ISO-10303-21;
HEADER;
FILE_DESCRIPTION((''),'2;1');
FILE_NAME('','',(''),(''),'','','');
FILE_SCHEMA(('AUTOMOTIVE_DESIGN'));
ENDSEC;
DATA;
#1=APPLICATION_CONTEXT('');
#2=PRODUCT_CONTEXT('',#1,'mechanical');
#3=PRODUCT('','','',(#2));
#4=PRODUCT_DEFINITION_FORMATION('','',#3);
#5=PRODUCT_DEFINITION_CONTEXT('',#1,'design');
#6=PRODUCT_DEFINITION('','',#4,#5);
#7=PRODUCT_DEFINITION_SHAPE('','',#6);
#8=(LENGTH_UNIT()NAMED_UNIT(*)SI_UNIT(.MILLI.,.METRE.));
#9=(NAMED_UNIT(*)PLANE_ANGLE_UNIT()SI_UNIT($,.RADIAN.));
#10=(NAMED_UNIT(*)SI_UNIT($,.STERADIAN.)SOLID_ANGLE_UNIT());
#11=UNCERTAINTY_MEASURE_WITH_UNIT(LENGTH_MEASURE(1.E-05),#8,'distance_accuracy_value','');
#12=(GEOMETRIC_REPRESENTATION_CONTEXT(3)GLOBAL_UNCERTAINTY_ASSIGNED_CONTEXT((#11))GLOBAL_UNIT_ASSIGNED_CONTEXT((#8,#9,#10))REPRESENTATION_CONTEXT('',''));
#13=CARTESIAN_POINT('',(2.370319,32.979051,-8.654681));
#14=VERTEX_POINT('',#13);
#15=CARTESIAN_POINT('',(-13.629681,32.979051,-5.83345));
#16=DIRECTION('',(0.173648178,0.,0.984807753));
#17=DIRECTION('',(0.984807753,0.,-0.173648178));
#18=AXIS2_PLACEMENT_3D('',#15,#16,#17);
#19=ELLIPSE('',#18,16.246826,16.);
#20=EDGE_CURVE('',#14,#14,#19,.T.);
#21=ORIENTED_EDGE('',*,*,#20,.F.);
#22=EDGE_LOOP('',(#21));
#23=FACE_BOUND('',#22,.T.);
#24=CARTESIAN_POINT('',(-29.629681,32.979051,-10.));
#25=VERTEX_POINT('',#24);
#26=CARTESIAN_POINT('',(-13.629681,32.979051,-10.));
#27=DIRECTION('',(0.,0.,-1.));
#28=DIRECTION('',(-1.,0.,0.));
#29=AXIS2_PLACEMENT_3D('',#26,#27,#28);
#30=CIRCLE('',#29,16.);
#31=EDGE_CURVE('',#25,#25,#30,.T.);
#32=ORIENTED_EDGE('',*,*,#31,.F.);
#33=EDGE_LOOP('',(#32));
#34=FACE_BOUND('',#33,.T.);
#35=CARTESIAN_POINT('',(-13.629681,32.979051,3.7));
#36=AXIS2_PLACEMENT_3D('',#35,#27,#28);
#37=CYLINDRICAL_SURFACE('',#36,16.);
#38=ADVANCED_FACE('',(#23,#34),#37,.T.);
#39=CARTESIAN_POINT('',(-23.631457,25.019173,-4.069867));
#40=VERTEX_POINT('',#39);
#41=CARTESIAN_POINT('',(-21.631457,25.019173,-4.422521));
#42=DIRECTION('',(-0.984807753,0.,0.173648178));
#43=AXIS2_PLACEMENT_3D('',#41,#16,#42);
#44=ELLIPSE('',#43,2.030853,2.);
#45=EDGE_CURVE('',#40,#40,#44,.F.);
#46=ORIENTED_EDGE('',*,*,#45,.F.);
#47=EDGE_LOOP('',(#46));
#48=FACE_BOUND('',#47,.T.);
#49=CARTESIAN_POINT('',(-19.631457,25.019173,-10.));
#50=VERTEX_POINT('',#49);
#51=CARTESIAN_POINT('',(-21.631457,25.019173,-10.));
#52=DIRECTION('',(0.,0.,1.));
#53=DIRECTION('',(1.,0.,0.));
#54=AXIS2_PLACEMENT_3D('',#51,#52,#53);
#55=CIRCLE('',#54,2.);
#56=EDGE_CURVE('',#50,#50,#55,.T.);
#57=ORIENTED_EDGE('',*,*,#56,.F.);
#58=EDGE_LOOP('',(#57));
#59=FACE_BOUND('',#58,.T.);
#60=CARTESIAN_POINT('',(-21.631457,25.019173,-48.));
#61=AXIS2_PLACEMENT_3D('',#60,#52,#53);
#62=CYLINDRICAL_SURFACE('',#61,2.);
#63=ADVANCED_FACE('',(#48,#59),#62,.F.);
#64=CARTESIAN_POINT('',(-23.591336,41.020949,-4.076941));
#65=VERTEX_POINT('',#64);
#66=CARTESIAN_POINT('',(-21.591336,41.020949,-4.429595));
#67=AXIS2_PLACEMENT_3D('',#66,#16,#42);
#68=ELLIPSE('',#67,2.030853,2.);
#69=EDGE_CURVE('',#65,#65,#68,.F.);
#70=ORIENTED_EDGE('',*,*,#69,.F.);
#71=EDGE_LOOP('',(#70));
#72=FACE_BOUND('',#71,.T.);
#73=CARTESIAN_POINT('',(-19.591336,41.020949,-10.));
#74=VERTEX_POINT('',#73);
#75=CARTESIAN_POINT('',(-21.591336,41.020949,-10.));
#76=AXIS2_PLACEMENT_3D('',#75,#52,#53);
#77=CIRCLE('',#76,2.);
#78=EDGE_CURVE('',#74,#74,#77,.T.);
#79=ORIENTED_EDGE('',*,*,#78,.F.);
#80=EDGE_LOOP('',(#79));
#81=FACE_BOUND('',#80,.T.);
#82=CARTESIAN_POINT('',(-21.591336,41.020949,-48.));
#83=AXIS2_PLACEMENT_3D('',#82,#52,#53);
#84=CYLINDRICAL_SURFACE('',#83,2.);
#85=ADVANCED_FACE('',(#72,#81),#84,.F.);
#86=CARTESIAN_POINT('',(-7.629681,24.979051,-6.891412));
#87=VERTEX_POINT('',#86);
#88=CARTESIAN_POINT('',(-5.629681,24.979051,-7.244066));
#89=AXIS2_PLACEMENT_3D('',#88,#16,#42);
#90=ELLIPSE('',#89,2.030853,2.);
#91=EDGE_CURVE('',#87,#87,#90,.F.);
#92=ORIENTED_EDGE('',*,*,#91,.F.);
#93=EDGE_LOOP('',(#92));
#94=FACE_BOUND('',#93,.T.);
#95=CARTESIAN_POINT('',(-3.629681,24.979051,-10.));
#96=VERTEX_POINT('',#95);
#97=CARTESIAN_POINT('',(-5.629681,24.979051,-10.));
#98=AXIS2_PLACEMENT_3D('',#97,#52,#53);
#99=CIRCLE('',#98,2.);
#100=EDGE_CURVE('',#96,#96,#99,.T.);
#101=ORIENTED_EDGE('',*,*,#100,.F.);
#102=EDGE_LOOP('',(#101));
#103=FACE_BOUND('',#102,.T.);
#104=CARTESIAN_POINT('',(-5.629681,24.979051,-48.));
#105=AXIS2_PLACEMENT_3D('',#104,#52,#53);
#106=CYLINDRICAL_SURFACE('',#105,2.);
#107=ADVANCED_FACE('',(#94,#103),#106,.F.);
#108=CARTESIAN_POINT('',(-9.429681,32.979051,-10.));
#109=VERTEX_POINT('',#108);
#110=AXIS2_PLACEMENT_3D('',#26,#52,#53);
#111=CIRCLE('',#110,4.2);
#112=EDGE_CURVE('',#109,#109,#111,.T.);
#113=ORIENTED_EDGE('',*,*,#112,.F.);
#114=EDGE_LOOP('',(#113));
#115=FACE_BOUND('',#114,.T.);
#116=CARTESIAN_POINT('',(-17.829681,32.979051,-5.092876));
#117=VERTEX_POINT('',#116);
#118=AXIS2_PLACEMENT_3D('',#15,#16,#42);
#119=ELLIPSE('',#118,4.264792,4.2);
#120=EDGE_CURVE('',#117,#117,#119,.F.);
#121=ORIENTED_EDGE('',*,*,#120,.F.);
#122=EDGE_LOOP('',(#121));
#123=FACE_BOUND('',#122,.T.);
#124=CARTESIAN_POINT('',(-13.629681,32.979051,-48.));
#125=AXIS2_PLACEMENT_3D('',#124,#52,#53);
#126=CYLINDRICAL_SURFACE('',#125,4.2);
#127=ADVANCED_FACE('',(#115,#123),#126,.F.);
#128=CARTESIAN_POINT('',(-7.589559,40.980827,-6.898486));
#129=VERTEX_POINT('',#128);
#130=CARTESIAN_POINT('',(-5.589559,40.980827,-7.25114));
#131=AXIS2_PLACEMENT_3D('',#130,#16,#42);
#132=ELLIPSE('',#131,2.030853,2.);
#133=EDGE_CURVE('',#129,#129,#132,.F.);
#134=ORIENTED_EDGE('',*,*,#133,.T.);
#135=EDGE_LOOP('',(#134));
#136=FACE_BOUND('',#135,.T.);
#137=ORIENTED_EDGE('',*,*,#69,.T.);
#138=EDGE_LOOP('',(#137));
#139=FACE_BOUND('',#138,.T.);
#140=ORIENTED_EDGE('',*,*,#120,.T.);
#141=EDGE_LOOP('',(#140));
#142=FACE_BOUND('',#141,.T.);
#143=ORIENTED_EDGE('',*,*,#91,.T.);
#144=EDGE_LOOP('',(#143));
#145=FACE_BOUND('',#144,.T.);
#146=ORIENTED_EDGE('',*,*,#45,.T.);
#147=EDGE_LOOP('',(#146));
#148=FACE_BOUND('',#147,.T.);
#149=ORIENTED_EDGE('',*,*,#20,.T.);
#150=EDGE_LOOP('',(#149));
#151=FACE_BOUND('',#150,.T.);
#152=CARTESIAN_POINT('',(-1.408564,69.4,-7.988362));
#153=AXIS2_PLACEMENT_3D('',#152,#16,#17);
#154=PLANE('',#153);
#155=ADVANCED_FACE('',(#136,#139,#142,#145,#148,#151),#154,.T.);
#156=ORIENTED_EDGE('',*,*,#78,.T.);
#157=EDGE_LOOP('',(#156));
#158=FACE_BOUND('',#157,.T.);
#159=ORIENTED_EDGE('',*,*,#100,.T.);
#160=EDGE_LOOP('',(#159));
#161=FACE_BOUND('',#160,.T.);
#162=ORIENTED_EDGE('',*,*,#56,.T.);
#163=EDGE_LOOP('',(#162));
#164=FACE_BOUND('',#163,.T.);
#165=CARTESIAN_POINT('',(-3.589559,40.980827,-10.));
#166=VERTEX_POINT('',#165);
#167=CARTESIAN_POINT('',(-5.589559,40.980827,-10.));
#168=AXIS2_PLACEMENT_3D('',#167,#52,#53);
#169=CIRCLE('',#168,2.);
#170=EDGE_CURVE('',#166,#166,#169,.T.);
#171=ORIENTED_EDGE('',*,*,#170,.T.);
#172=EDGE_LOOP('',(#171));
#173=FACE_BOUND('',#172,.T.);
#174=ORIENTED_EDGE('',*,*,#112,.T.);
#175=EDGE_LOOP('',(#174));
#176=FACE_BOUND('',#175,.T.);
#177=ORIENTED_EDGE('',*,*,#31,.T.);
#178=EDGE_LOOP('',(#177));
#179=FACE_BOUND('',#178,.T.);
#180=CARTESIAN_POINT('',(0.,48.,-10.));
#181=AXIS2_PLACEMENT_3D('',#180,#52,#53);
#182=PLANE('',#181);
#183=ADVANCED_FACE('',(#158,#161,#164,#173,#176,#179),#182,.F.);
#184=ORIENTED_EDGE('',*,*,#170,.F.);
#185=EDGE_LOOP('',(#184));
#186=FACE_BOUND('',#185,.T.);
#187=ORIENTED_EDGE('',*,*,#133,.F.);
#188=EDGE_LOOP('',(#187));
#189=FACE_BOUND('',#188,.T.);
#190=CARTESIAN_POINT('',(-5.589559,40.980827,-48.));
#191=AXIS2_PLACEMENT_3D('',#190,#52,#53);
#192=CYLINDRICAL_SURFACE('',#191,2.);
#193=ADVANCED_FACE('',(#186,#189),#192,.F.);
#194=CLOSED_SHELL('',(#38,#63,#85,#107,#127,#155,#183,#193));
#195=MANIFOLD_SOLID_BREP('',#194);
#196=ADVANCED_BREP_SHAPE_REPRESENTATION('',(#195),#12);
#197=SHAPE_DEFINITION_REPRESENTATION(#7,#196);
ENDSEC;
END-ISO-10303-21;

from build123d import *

# Parameters (mm, degrees)
SKETCH1_W           = 41.85
SKETCH1_H           = 10
SKETCH1_W_2         = 10
SKETCH1_H_2         = 29
BOSS_EXTRUDE1_DEPTH = 48
SKETCH4_R           = 2
SKETCH4_R_2         = 4.2
CUT_EXTRUDE2_DEPTH  = 48
SKETCH7_W           = 100.326592526
SKETCH7_H           = 57.143742852
CUT_EXTRUDE5_DEPTH  = 14.7
CUT_EXTRUDE6_DEPTH  = 54.7
BOSS_EXTRUDE5_DEPTH = 13.7
SKETCH19_W          = 55.248240751
SKETCH19_H          = 86.451998217
SKETCH19_R          = 16
CUT_EXTRUDE10_DEPTH = 13.7


with BuildPart() as part:
    # Sketch1 → Boss-Extrude1 (new body)
    with BuildSketch(Plane(origin=(0, 0, 0), x_dir=(1, 0, 0), z_dir=(0, 1, 0))):
        with Locations((-10.925, 5)):
            Rectangle(SKETCH1_W, SKETCH1_H)
        with Locations((5, -14.5)):
            Rectangle(SKETCH1_W_2, SKETCH1_H_2)
    extrude(amount=BOSS_EXTRUDE1_DEPTH)

    # Sketch4 → Cut-Extrude2 (cut)
    with BuildSketch(Plane.XY):
        with Locations((-5.589559388, 40.980827232)):
            Circle(SKETCH4_R)
        with Locations((-5.629681083, 24.979051073)):
            Circle(SKETCH4_R)
        with Locations((-21.591335547, 41.020948927)):
            Circle(SKETCH4_R)
        with Locations((-21.631457243, 25.019172768)):
            Circle(SKETCH4_R)
        with Locations((-13.629681083, 32.979051073)):
            Circle(SKETCH4_R_2)
    extrude(amount=-CUT_EXTRUDE2_DEPTH, mode=Mode.SUBTRACT)

    # Sketch7 → Cut-Extrude5 (cut)
    with BuildSketch(Plane.XZ):
        with Locations((-16.144605738, 7.803574406)):
            Rectangle(SKETCH7_W, SKETCH7_H)
    extrude(amount=-CUT_EXTRUDE5_DEPTH, mode=Mode.SUBTRACT)

    # Sketch8 → Cut-Extrude6 (cut)
    with BuildSketch(Plane.XZ.offset(-14.7)):
        Polygon((-31.85, -2.620715857), (10, -10), (10, 29), (0, 29), (0, 0), (-31.85, 0), align=None)
    extrude(amount=-CUT_EXTRUDE6_DEPTH, mode=Mode.SUBTRACT)

    # Sketch18 → Boss-Extrude5 (add)
    with BuildSketch(Plane(origin=(0, 48, 0), x_dir=(1, 0, 0), z_dir=(0, 1, 0))):
        Polygon((-31.85, 2.620715857), (-31.85, 10), (10, 10), align=None)
    extrude(amount=BOSS_EXTRUDE5_DEPTH)

    # Sketch19 → Cut-Extrude10 (cut)
    with BuildSketch(Plane(origin=(0, 0, -10), x_dir=(-1, 0, 0), z_dir=(0, 0, -1))):
        with Locations((12.788642717, 43.225999109)):
            Rectangle(SKETCH19_W, SKETCH19_H)
        with Locations((13.629681083, 32.979051073)):
            Circle(SKETCH19_R, mode=Mode.SUBTRACT)
    extrude(amount=-CUT_EXTRUDE10_DEPTH, mode=Mode.SUBTRACT)


solid = part.part
